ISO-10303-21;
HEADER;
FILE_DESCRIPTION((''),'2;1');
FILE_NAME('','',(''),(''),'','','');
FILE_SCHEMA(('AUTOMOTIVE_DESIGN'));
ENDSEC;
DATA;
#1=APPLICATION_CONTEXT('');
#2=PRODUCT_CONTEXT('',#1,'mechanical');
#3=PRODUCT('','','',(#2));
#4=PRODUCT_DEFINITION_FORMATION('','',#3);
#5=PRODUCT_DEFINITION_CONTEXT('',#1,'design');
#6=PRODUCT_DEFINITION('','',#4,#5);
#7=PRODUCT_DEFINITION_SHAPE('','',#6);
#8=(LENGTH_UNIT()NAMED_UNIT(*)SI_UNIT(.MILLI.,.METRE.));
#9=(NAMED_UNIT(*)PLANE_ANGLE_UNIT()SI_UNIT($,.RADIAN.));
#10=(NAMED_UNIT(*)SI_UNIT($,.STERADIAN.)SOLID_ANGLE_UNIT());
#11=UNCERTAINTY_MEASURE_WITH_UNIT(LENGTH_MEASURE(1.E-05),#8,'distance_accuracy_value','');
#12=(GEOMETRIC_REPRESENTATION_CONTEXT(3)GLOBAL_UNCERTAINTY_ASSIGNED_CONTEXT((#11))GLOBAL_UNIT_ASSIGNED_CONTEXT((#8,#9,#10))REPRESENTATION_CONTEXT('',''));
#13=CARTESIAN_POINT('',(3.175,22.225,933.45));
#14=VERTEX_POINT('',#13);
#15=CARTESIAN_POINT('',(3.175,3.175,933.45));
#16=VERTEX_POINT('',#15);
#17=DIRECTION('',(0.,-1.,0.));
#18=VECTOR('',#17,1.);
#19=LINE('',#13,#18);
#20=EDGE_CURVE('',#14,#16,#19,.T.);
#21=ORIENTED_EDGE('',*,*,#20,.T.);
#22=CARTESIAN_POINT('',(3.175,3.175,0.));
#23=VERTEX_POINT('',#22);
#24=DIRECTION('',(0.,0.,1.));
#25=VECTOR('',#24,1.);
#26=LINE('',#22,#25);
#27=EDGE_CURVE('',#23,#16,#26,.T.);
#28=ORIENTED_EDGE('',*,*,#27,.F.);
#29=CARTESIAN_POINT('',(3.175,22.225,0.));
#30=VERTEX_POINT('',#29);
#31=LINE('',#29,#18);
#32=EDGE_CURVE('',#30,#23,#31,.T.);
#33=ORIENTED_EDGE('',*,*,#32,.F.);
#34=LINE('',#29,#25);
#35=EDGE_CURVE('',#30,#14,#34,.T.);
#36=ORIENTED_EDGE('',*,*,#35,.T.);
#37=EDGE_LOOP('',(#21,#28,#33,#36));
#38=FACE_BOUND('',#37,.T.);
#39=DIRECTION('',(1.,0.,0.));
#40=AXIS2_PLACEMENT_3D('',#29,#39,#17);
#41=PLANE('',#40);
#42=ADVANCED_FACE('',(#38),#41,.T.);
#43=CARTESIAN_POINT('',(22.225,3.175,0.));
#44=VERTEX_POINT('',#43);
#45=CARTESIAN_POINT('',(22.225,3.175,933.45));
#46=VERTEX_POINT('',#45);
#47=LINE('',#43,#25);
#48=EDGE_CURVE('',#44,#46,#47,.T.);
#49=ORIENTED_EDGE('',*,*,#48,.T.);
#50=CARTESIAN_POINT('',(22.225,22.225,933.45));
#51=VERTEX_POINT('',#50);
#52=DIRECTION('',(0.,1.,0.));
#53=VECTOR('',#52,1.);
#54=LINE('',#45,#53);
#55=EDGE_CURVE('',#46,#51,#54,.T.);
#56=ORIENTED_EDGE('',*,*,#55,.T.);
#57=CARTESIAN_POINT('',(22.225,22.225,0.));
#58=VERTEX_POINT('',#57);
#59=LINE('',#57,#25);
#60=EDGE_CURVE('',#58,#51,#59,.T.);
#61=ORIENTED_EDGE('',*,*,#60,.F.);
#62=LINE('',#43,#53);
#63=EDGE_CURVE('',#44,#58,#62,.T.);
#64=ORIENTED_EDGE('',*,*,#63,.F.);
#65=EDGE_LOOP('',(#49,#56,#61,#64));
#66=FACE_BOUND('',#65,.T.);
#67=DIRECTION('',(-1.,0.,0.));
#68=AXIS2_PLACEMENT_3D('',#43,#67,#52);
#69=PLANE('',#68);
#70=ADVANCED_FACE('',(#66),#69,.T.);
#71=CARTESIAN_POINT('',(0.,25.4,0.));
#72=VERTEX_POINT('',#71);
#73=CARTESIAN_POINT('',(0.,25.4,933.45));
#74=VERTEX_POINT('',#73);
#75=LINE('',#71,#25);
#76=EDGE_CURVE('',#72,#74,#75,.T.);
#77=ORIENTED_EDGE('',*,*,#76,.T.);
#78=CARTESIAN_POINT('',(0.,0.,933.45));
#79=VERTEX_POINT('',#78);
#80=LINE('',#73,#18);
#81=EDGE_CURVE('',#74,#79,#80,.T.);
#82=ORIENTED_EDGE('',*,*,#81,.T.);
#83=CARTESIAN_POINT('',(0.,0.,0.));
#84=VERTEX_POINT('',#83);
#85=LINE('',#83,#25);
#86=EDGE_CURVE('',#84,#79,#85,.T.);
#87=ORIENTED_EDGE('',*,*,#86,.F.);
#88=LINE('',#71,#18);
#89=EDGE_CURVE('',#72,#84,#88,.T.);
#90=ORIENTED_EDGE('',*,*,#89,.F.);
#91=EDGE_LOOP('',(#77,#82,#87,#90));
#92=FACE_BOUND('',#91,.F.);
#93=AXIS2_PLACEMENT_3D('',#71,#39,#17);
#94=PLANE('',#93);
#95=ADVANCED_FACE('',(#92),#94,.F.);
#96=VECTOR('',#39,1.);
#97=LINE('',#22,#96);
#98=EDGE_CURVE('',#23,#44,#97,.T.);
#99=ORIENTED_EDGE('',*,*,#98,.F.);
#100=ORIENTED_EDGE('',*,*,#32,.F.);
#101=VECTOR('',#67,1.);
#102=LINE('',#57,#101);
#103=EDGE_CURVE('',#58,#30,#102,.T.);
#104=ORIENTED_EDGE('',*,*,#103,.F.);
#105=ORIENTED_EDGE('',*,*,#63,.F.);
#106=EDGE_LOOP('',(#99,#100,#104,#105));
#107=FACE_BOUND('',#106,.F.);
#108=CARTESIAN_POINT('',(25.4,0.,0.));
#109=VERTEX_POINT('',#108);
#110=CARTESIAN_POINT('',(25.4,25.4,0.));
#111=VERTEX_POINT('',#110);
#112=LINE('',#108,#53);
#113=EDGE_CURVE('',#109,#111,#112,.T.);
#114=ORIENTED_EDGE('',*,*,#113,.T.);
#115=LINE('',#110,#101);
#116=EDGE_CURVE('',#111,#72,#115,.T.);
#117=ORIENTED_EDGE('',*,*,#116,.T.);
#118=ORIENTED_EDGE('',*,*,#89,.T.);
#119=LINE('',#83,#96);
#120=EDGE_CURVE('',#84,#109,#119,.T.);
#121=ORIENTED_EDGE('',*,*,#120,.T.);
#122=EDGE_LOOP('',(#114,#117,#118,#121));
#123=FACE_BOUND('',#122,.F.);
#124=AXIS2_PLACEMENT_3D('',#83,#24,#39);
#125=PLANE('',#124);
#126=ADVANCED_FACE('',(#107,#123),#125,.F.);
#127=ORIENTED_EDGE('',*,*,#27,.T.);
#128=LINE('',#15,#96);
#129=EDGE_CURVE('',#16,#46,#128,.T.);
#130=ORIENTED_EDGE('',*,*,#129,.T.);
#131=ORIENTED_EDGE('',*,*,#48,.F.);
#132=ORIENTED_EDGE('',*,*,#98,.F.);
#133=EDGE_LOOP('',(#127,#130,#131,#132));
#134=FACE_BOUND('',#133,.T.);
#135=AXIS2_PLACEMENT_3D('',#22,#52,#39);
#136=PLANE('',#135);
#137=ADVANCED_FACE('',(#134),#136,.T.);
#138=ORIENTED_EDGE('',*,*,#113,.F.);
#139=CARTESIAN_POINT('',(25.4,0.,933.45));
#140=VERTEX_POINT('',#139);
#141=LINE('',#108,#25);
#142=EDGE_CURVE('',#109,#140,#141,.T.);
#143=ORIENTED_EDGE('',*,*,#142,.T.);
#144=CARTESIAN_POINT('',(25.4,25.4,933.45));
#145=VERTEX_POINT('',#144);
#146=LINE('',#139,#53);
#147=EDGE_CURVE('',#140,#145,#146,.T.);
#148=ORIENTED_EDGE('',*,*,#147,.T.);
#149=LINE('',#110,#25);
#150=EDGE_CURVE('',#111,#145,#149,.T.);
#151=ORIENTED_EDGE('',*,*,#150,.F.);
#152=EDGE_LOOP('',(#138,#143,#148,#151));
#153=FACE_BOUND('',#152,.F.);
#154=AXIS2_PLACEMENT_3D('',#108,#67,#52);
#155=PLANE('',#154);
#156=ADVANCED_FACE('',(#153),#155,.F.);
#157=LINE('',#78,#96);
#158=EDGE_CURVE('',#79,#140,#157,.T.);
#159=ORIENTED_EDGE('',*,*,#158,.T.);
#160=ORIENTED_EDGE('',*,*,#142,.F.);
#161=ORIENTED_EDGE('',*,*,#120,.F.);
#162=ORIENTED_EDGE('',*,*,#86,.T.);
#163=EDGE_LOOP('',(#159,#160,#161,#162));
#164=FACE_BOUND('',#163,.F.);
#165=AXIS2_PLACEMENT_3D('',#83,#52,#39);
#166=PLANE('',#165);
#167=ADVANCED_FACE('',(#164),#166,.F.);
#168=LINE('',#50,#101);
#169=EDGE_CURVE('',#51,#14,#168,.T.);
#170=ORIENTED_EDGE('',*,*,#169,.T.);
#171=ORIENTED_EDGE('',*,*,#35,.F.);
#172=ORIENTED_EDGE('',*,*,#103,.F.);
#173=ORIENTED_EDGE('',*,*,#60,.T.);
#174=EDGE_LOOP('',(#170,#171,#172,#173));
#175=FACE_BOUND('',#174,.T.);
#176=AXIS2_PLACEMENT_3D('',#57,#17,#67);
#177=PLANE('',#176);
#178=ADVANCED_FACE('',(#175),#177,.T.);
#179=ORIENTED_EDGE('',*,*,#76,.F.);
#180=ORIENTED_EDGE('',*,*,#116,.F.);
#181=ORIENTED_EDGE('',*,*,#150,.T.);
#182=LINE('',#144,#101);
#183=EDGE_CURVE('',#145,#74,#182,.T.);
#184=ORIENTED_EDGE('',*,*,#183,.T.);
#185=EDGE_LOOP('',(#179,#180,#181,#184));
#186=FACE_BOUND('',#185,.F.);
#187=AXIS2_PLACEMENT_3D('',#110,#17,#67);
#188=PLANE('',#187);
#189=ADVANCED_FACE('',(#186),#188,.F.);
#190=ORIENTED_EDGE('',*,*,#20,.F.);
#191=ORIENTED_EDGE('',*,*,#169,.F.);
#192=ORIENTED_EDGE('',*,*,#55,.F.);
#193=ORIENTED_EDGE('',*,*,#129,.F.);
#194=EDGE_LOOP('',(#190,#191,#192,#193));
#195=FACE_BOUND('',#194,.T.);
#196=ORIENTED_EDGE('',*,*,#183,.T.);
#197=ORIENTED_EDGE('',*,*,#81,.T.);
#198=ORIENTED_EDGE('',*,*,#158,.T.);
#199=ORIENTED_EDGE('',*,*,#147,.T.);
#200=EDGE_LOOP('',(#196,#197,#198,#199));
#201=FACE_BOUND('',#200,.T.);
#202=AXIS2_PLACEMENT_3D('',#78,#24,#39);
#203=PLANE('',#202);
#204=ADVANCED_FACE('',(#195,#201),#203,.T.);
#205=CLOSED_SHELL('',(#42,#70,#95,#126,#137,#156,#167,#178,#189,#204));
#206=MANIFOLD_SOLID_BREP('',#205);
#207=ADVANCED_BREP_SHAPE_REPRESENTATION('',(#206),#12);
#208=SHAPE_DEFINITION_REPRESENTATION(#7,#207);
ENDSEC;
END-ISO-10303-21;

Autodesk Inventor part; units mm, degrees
ref_plane "YZ Plane" through (0, 0, 0) normal (1, 0, 0) x (0, 1, 0)
ref_plane "XZ Plane" through (0, 0, 0) normal (0, 1, 0) x (-1, 0, 0)
ref_plane "XY Plane" through (0, 0, 0) normal (0, 0, 1) x (1, 0, 0)
sketch "Sketch1" plane through (0, 0, 0) normal (0, 0, 1) x (1, 0, 0)
  line L0 (0, 0) -> (25.4, 0)
  line L1 (25.4, 0) -> (25.4, 25.4)
  line L2 (25.4, 25.4) -> (0, 25.4)
  line L3 (0, 25.4) -> (0, 0)
  line L4 (3.175, 3.175) -> (22.225, 3.175)
  line L5 (22.225, 3.175) -> (22.225, 22.225)
  line L6 (22.225, 22.225) -> (3.175, 22.225)
  line L7 (3.175, 22.225) -> (3.175, 3.175)
  dimension "d0" = 25.4
  dimension "d1" = 25.4
  dimension "d2" = 3.175
  dimension "d3" = 3.175
  dimension "d4" = 3.175
  dimension "d5" = 3.175
extrude "Extrusion1" add sketch "Sketch1" along normal blind 933.45
equation "\"d1\" = d0"
equation "\"d2\" = d5"
equation "\"d3\" = d2"
equation "\"d5\" = d4"
properties part number "frame tube 1 by 1"
